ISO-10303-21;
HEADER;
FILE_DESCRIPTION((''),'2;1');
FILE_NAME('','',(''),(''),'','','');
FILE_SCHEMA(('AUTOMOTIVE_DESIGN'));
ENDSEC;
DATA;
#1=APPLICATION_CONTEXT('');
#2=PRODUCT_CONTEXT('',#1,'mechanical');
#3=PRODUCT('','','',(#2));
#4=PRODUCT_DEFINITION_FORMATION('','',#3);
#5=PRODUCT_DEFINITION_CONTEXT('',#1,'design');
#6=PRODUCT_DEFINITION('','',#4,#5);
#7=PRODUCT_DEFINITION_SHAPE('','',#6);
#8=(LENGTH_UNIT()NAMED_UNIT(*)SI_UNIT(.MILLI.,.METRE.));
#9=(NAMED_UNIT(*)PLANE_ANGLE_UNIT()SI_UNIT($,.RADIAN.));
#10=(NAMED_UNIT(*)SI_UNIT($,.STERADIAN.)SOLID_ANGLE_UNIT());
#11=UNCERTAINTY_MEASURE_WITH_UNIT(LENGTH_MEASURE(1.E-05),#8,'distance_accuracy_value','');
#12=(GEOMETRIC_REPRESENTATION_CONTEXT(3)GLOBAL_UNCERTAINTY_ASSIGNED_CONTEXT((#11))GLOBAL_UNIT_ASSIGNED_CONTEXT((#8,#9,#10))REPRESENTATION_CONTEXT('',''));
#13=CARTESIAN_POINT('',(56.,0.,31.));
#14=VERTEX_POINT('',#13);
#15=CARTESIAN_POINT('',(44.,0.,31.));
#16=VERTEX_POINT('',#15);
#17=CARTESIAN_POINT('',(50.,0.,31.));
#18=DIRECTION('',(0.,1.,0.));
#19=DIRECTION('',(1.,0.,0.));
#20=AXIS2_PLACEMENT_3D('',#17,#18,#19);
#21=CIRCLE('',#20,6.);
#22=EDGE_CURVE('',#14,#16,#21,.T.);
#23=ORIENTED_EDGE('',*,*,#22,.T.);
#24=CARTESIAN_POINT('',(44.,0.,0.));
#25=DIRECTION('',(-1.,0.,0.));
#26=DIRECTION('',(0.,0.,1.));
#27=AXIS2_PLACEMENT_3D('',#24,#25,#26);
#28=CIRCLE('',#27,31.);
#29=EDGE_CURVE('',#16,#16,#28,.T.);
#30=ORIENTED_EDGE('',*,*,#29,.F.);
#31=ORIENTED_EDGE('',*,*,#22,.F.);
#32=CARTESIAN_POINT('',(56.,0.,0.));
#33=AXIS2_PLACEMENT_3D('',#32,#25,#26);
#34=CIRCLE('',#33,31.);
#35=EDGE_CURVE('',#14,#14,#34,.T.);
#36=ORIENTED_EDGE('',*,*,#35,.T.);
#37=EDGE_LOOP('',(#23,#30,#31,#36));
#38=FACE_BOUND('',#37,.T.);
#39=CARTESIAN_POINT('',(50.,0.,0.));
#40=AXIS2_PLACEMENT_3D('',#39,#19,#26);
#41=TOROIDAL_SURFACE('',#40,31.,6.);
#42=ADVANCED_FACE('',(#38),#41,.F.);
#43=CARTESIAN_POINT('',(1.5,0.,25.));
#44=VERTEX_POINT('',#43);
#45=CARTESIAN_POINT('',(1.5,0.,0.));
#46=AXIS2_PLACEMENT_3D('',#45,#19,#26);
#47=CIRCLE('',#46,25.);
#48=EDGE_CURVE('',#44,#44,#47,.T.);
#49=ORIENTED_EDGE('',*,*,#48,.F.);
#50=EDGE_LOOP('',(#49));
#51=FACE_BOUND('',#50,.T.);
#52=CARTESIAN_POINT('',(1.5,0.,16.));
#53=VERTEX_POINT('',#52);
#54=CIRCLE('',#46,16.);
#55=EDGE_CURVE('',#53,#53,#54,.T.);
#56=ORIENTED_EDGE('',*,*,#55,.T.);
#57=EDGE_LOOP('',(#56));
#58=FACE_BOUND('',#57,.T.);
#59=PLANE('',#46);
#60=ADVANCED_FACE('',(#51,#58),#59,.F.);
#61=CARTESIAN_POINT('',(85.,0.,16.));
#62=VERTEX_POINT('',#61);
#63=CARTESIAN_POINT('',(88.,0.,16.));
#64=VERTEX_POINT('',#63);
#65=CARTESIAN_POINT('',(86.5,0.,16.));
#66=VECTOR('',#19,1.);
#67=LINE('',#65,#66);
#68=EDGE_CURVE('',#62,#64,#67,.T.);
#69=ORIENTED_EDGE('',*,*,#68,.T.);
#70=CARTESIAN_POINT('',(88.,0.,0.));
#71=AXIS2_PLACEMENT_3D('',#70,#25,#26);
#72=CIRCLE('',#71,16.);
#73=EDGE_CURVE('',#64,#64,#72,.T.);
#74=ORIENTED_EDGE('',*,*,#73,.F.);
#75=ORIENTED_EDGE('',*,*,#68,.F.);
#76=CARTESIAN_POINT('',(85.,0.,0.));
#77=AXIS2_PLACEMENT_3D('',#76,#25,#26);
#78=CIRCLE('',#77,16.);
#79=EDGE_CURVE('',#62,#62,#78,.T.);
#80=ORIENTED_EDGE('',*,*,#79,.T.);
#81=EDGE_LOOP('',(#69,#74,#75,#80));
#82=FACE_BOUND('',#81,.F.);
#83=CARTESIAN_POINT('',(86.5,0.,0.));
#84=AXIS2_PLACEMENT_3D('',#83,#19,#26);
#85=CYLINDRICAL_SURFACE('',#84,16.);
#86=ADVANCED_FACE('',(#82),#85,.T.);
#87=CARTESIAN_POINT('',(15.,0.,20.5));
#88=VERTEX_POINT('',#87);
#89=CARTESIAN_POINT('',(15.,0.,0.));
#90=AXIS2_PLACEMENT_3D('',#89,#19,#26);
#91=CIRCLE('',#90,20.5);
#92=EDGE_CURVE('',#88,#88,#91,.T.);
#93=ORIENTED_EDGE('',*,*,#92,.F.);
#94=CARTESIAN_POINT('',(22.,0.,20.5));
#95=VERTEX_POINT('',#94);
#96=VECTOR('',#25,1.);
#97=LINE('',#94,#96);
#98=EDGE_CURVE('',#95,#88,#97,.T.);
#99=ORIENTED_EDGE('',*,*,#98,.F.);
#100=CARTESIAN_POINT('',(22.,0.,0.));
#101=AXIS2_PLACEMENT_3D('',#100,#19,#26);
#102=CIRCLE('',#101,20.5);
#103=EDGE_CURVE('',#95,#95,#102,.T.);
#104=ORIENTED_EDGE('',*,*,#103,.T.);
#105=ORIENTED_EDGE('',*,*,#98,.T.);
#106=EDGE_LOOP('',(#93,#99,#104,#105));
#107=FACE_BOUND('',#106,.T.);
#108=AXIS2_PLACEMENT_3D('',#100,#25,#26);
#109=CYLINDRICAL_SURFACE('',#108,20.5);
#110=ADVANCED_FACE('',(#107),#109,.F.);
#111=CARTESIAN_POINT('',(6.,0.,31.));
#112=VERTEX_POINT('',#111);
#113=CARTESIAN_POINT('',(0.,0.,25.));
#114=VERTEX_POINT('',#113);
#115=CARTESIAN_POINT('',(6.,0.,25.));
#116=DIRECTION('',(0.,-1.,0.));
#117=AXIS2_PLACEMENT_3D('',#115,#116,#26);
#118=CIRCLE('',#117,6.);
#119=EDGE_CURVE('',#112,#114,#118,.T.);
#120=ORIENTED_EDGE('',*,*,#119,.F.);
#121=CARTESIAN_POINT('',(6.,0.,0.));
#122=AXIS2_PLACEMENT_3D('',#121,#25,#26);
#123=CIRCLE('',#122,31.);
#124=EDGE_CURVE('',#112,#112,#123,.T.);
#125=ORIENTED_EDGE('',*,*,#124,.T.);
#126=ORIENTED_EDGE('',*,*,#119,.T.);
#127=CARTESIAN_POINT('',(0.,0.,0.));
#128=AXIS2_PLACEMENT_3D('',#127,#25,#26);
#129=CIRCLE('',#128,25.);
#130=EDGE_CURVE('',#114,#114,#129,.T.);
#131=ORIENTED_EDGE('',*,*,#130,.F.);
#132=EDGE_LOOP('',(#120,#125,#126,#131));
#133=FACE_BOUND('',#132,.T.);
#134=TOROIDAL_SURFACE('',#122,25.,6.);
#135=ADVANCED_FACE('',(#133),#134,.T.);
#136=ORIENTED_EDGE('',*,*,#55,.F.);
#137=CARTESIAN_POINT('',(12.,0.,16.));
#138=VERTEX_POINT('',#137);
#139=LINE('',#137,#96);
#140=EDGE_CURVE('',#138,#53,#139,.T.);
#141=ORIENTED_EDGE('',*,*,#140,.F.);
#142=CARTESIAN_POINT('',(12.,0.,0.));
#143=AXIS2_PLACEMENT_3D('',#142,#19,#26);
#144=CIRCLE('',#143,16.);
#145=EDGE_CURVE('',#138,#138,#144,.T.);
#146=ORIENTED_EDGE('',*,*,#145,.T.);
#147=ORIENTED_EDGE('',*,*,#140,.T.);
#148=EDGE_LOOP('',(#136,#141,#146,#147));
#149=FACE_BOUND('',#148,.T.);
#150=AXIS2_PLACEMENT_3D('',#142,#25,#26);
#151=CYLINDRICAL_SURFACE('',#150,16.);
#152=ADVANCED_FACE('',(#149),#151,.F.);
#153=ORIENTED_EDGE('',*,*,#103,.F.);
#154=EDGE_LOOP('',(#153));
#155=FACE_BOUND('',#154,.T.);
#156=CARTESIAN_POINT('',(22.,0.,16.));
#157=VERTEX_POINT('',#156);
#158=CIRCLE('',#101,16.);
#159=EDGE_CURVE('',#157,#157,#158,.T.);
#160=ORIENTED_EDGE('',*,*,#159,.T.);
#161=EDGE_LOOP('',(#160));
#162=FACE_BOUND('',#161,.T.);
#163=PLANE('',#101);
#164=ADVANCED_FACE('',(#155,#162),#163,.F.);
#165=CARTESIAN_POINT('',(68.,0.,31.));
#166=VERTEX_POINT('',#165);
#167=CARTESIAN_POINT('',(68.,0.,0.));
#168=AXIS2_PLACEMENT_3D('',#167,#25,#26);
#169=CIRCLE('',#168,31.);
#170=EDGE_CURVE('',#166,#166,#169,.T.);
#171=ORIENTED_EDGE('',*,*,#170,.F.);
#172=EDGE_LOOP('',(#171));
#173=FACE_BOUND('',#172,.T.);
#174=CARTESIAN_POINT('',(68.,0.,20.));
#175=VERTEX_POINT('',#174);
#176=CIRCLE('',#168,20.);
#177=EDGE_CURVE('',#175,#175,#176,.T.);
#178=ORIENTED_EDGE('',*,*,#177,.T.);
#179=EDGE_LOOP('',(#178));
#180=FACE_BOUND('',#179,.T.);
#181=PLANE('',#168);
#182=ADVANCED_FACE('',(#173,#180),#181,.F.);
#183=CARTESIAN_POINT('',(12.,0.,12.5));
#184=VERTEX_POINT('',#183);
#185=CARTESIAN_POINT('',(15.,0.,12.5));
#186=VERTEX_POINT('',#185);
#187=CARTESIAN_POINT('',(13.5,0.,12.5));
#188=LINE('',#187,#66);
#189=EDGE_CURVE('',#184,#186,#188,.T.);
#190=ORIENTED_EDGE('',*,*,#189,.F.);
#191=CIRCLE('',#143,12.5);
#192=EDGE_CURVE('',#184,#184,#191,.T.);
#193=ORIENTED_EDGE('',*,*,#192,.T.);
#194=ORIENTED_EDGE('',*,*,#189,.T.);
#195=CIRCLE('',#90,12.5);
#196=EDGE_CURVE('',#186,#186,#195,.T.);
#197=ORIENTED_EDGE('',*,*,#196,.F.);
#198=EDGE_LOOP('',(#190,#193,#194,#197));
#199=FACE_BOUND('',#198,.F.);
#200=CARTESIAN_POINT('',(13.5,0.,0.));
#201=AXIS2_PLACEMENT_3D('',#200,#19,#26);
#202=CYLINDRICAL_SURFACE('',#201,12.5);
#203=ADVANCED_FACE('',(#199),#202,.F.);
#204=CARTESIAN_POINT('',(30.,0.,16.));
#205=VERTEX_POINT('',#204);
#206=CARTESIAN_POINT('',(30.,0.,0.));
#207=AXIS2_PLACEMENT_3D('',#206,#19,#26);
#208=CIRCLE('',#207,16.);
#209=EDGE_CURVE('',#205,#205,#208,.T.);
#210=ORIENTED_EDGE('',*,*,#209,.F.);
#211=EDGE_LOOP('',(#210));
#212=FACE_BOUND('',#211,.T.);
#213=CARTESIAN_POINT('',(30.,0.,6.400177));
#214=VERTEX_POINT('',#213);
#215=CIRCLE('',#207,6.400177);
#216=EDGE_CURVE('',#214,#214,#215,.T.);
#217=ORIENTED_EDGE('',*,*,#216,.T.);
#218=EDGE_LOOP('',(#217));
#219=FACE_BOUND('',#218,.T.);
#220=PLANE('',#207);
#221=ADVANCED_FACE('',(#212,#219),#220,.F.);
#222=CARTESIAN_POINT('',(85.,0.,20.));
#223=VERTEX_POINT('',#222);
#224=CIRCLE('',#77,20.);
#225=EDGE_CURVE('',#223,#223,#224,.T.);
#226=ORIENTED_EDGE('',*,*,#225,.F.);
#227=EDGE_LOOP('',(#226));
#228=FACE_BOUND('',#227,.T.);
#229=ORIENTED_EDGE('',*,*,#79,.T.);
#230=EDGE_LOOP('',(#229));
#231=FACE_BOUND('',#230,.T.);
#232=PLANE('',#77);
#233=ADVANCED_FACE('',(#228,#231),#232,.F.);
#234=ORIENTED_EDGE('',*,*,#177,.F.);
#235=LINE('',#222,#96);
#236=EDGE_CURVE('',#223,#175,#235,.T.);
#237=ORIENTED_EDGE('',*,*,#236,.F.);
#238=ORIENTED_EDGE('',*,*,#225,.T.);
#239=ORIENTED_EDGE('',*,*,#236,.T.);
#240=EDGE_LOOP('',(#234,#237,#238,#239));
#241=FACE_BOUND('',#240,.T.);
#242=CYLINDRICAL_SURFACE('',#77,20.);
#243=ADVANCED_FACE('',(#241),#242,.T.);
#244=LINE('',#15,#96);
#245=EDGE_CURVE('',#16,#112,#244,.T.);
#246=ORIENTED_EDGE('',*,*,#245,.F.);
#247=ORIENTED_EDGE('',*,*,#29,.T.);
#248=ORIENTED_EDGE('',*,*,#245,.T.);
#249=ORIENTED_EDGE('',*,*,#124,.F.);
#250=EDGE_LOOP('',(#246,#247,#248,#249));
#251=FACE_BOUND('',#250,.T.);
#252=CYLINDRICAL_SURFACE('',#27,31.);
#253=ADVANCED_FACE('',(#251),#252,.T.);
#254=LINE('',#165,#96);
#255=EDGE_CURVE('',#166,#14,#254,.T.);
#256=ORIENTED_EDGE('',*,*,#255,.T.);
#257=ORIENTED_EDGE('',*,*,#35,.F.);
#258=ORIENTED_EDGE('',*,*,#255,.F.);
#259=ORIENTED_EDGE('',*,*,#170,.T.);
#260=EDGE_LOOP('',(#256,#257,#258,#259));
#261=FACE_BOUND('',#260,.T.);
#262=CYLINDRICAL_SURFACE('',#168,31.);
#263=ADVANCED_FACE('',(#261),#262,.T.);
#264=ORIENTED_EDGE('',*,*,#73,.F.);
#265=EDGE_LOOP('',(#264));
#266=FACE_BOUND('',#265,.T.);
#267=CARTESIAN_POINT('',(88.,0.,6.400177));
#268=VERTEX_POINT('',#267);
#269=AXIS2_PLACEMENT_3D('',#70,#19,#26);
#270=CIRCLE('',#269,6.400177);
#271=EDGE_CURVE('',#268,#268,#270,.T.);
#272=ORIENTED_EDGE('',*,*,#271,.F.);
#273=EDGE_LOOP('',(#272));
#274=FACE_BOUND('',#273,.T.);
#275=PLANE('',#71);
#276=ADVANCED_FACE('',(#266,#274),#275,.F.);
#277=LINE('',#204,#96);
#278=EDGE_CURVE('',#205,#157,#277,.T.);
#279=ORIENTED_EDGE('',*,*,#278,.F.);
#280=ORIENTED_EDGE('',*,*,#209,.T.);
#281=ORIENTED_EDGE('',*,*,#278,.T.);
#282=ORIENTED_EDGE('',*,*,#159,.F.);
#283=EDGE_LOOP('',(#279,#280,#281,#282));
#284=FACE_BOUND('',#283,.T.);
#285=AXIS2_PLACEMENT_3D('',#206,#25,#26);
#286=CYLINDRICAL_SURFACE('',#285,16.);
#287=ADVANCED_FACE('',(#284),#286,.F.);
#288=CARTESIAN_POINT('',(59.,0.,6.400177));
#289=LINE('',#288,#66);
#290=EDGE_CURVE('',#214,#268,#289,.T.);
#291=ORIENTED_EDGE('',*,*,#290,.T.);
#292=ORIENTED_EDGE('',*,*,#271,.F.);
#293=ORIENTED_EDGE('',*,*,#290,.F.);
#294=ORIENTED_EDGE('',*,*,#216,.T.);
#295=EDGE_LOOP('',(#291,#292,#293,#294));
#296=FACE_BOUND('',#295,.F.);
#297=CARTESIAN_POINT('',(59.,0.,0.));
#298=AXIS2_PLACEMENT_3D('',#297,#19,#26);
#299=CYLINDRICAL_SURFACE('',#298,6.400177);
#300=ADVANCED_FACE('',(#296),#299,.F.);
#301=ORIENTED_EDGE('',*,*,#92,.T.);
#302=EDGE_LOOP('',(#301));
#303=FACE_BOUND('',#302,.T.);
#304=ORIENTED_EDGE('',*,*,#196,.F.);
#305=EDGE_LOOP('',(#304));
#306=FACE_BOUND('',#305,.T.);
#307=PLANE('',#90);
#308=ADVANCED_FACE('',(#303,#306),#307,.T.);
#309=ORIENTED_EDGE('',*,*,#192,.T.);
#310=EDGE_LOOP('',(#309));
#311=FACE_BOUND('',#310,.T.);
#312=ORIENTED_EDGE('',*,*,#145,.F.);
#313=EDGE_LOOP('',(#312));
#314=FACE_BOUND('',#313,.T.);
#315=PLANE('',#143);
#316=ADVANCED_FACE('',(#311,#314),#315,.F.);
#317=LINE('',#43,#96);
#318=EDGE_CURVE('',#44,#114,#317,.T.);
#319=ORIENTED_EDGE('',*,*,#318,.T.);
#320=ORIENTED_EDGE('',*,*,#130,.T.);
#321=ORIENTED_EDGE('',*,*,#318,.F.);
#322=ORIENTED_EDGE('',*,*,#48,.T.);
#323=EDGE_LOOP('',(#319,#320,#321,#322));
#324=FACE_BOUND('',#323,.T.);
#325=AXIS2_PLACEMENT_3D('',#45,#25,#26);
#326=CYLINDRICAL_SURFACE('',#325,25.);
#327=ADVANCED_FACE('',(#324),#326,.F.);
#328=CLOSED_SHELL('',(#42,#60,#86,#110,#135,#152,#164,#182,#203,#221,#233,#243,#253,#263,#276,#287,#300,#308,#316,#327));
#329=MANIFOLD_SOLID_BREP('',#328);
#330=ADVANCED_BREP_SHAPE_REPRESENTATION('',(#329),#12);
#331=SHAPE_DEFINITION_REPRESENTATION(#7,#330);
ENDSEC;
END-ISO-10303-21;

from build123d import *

# Parameters (mm, degrees)
F0_W   = 3
F0_H   = 16
F2_W   = 58
F2_H   = 6.4001772553
F2_W_2 = 3
F2_H_2 = 12.5


with BuildPart() as f1:
    # F0 (on Front) → F1 (revolve)
    with BuildSketch(Plane.XZ):
        with BuildLine():
            Line((0, 0), (44, 0))
            Line((44, 0), (44, 31))
            Line((44, 31), (6, 31))
            ThreePointArc((6, 31), (1.7573593129, 29.2426406871), (0, 25))
            Line((0, 25), (0, 0))
        make_face()
        with BuildLine():
            Line((44, 0), (56, 0))
            Line((56, 0), (56, 31))
            ThreePointArc((56, 31), (50, 25), (44, 31))
            Line((44, 31), (44, 0))
        make_face()
        Polygon((56, 0), (68, 0), (68, 20), (68, 31), (56, 31), align=None)
        Polygon((68, 0), (85, 0), (85, 16), (85, 20), (68, 20), align=None)
        with Locations((86.5, 8)):
            Rectangle(F0_W, F0_H)
    revolve(axis=Axis((28, 0, 0), (-1, 0, 0)))

    # F2 (on Front) → F3 (revolve, cut)
    with BuildSketch(Plane.XZ):
        with Locations((59, 3.2000886276)):
            Rectangle(F2_W, F2_H)
        Polygon((22, 0), (30, 0), (30, 6.4001772553), (30, 16), (22, 16), align=None)
        Polygon((15, 0), (22, 0), (22, 16), (22, 20.5), (15, 20.5), (15, 12.5), align=None)
        with Locations((13.5, 6.25)):
            Rectangle(F2_W_2, F2_H_2)
        Polygon((1.5, 0), (12, 0), (12, 12.5), (12, 16), (1.5, 16), align=None)
        Polygon((0, 0), (1.5, 0), (1.5, 16), (1.5, 25), (0, 25), align=None)
    revolve(axis=Axis((74.5795071125, 0, 0), (1, 0, 0)), mode=Mode.SUBTRACT)


solid = f1.part
